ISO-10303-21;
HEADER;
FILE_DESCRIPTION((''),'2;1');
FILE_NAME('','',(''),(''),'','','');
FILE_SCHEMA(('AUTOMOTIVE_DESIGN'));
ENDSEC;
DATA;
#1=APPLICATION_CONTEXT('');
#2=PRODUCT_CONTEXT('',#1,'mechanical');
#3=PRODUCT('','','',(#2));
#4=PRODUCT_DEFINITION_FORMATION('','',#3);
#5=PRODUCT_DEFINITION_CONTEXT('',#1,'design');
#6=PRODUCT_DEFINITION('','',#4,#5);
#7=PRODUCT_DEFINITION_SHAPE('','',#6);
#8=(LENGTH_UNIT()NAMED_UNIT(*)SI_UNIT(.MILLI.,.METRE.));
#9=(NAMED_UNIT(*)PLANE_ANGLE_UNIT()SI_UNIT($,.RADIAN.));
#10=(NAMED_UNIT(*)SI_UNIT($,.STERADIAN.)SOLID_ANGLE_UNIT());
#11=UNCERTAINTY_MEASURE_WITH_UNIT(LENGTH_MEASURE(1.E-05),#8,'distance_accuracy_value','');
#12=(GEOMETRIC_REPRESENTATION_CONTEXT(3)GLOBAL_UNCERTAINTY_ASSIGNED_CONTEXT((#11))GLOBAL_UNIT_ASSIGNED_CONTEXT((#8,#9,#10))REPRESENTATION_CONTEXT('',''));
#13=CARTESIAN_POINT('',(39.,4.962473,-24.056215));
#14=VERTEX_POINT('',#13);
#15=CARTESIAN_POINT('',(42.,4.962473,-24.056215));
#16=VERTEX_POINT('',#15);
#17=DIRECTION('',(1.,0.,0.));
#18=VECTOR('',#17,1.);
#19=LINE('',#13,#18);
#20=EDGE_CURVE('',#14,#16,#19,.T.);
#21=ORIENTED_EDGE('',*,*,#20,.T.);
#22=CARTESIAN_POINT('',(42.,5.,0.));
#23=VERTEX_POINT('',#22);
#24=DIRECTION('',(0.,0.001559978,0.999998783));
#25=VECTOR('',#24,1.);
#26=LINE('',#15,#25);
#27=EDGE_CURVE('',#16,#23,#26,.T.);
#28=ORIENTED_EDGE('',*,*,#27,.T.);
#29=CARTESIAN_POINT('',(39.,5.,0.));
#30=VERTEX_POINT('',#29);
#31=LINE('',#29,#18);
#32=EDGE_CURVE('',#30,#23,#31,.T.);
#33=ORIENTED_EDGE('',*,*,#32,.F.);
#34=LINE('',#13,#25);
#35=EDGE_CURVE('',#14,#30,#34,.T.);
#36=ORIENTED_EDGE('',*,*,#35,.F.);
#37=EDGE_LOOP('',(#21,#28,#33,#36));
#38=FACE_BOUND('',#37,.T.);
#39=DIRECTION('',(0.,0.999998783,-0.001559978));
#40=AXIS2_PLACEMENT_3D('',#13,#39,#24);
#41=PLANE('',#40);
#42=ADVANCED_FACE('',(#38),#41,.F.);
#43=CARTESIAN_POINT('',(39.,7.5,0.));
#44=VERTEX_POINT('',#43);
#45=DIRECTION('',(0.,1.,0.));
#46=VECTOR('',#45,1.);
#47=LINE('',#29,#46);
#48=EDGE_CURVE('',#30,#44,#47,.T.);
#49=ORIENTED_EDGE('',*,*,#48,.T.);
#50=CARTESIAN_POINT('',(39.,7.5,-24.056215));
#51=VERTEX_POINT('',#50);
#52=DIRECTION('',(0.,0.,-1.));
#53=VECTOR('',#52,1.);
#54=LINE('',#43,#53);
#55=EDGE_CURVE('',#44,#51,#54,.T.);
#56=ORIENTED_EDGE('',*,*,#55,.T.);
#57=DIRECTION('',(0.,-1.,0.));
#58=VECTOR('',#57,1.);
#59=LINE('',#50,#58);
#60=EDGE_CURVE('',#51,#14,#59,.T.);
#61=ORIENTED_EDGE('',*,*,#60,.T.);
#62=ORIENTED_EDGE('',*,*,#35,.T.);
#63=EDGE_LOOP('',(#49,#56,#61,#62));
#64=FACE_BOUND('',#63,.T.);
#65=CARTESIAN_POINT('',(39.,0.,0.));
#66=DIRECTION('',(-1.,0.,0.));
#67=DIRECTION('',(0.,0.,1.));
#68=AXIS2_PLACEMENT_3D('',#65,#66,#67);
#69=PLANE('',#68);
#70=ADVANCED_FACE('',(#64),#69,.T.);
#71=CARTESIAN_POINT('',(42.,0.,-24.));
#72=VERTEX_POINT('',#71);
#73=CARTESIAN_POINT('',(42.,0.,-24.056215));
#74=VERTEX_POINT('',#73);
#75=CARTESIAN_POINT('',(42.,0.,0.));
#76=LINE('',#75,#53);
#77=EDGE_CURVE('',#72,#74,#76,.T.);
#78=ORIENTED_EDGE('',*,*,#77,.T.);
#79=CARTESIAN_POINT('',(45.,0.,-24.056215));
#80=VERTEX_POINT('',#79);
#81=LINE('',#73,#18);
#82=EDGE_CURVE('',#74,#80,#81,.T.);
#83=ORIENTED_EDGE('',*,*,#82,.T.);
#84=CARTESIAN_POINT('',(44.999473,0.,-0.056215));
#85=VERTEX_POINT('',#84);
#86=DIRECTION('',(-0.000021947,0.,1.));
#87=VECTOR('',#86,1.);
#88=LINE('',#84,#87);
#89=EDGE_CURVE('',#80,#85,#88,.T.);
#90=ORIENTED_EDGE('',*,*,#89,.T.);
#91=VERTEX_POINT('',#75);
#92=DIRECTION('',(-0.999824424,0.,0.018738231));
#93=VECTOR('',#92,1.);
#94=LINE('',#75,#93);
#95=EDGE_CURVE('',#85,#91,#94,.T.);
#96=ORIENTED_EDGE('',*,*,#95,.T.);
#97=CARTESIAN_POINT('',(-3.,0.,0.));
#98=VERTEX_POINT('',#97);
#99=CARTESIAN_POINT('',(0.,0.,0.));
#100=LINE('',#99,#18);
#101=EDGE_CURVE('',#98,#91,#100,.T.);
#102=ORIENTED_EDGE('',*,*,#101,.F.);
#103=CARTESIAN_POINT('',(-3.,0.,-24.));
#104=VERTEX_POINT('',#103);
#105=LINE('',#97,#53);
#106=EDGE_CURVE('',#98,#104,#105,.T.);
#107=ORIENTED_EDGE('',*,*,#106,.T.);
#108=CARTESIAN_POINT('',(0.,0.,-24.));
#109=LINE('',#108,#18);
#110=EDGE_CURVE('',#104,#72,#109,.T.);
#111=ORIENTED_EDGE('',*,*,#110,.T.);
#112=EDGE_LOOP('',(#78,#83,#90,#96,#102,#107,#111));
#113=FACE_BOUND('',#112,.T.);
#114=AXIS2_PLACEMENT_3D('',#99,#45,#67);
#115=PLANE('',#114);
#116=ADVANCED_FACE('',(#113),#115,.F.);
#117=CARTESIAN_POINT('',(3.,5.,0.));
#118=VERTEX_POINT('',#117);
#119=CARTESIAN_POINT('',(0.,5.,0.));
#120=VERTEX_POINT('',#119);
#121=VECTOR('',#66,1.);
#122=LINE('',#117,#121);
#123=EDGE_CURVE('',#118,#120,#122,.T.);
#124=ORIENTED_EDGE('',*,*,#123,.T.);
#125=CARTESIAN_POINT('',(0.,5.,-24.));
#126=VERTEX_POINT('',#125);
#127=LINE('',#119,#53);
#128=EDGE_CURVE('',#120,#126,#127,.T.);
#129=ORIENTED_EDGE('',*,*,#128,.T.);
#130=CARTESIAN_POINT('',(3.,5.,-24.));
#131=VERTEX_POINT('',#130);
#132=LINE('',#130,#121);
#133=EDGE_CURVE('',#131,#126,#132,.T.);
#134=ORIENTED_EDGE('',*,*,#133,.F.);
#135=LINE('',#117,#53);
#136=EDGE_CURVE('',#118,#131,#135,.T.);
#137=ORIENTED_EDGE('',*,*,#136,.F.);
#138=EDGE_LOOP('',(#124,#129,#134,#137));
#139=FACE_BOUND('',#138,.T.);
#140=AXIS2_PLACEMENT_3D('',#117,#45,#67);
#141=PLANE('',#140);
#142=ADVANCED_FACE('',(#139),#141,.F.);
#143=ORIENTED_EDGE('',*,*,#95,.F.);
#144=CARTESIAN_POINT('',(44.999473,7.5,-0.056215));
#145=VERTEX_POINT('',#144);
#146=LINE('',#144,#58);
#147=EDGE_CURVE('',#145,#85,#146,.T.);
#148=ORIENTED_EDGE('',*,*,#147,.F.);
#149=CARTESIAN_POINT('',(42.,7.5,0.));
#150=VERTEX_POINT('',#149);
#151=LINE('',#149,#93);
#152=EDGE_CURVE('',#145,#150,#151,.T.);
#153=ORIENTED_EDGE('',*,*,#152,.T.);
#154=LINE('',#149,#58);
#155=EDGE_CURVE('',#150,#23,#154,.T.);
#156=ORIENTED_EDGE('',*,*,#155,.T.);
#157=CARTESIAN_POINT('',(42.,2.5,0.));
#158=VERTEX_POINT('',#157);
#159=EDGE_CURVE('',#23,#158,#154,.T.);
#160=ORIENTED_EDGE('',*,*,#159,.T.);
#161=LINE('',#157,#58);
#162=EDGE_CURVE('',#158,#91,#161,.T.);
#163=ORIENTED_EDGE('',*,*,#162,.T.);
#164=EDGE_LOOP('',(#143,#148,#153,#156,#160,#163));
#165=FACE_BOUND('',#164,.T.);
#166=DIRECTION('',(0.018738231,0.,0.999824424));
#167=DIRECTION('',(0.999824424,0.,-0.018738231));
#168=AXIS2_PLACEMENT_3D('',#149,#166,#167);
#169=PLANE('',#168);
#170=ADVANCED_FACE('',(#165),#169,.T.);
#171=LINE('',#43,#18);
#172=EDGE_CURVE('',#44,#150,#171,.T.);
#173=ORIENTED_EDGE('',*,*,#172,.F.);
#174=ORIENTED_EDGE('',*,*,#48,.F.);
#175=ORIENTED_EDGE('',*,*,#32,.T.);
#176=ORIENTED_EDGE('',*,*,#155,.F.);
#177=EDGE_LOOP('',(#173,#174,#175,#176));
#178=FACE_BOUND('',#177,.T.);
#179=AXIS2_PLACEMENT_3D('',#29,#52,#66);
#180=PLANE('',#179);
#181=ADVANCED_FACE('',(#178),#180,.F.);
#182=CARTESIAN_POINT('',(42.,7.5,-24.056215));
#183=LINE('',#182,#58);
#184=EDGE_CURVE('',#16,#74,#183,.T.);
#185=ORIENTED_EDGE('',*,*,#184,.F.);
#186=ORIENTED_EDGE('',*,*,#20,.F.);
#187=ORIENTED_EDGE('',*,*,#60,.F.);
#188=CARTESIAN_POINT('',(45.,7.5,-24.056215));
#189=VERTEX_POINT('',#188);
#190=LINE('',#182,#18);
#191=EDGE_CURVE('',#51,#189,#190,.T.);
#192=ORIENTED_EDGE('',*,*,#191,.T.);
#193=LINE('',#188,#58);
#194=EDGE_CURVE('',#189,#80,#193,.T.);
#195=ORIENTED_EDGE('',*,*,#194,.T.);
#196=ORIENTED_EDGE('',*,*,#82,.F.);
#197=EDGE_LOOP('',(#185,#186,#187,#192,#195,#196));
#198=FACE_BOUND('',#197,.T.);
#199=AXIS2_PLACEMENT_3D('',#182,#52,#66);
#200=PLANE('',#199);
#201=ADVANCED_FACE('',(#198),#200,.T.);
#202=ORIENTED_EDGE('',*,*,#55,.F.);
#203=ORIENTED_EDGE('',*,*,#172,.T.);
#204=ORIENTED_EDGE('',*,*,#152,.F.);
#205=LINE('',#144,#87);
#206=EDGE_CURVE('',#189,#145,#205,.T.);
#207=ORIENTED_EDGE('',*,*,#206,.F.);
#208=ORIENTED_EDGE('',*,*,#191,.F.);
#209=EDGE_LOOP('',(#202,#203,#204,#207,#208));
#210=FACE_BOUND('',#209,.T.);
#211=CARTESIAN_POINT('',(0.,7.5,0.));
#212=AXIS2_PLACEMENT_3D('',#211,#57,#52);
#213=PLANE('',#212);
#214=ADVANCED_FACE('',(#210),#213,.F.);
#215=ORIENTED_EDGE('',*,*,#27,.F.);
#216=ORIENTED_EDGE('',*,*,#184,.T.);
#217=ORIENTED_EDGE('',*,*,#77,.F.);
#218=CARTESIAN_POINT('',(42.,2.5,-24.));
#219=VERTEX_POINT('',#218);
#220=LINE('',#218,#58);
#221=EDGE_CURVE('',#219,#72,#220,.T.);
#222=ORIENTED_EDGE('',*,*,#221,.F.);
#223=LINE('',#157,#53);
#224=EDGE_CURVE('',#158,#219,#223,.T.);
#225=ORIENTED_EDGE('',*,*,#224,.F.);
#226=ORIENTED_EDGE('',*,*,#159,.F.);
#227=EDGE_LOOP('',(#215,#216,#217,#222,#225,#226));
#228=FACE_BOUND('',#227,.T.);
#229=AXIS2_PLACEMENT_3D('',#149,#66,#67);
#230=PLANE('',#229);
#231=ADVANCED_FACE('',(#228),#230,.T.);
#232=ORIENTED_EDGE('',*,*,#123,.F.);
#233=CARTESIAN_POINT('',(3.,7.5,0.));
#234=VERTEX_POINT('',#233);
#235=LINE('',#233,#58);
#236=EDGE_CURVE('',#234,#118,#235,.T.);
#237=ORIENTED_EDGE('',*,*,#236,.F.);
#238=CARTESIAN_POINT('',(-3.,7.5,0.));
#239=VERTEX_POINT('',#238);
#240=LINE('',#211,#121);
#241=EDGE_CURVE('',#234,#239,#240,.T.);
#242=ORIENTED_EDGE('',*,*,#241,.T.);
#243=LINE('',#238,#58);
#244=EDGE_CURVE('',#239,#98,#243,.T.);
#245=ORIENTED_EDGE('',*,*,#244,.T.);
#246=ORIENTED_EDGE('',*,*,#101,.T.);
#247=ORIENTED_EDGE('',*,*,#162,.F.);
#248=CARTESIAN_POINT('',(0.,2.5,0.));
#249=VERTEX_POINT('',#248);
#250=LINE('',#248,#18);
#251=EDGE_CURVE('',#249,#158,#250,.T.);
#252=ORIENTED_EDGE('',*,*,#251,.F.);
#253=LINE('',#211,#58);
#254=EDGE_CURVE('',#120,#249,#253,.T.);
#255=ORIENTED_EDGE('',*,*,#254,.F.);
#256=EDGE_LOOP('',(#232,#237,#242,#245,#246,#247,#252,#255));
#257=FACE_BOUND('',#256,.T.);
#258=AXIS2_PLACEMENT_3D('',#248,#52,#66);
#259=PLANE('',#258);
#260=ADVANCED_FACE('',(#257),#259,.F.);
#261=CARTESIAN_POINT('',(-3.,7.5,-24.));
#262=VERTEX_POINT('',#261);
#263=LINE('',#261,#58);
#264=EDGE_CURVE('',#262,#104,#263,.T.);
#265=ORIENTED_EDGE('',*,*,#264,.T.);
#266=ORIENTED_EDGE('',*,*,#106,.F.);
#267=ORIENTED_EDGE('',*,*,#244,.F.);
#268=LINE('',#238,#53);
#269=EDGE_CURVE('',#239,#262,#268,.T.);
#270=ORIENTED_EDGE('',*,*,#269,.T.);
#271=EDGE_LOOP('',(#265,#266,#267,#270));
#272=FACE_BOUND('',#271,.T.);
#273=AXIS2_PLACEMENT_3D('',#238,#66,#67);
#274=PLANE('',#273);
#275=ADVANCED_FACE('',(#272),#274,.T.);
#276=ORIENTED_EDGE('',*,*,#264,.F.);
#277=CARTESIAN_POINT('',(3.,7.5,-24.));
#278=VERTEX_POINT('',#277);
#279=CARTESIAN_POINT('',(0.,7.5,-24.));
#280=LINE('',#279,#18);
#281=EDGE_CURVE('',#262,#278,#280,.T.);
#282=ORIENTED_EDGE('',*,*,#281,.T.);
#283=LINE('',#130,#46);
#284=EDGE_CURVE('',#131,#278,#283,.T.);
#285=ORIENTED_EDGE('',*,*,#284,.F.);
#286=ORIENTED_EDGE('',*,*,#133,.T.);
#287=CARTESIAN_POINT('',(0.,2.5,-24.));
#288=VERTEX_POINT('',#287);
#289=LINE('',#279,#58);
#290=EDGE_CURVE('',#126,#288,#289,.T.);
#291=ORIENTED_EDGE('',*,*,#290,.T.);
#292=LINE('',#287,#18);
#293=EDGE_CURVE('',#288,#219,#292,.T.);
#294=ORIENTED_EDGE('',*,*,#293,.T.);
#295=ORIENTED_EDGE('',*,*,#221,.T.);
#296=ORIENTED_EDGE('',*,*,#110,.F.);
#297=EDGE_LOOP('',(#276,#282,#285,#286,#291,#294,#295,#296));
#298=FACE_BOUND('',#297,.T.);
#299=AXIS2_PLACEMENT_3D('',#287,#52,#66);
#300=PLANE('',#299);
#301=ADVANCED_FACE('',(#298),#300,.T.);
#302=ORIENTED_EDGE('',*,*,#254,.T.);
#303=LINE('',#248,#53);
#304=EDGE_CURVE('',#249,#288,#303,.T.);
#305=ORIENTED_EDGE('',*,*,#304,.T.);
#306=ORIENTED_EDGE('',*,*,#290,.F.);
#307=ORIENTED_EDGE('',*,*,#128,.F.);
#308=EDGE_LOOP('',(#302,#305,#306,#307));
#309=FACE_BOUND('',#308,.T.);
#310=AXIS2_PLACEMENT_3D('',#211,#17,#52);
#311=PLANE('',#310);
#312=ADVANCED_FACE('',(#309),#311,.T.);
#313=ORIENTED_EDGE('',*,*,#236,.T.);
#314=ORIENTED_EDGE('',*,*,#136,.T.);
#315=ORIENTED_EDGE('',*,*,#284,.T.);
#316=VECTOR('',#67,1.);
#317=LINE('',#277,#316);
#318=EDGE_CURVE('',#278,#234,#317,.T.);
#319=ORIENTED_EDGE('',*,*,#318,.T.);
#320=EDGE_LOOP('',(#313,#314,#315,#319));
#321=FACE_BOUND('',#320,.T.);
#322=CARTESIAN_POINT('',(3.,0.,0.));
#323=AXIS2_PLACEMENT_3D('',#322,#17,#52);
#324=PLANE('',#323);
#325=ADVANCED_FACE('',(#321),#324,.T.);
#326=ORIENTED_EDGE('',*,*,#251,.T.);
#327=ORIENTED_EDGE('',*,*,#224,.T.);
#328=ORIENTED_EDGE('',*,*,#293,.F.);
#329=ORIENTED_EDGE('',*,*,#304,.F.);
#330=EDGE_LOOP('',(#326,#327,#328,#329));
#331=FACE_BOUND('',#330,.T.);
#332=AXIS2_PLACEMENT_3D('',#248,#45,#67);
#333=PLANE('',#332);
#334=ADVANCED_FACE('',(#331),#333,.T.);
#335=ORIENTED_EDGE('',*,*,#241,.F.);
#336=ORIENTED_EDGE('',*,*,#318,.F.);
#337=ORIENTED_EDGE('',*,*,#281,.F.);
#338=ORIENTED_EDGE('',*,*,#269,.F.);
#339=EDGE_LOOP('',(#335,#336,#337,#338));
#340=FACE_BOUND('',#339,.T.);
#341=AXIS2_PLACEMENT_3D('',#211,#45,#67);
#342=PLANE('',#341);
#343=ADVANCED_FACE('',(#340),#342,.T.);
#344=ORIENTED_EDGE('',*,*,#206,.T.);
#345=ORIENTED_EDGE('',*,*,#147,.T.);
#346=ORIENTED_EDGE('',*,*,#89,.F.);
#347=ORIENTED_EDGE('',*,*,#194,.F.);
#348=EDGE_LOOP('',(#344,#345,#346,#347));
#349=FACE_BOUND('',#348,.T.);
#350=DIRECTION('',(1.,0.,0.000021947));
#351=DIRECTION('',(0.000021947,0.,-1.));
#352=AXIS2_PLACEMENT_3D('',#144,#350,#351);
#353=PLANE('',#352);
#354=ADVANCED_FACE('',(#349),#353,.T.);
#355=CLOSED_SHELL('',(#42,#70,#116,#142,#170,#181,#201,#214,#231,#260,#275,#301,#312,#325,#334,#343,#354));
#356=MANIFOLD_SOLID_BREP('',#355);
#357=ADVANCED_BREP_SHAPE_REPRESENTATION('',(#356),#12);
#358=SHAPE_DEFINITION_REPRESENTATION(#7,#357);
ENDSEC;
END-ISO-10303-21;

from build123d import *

# Parameters (mm, degrees)
ESQUISSE1_W        = 42
ESQUISSE1_H        = 24
BOSS_EXTRU_2_DEPTH = 2.5
ESQUISSE3_W        = 3
ESQUISSE3_H        = 24
BOSS_EXTRU_5_DEPTH = 7.5
BOSS_EXTRU_6_DEPTH = 3
ESQUISSE7_W        = 24
ESQUISSE7_H        = 2.5
BOSS_EXTRU_7_DEPTH = 3


with BuildPart() as part:
    # Esquisse1 → Boss.-Extru.2 (new body)
    with BuildSketch(Plane(origin=(0, 0, 0), x_dir=(1, 0, 0), z_dir=(0, 1, 0))):
        with Locations((21, 12)):
            Rectangle(ESQUISSE1_W, ESQUISSE1_H)
    extrude(amount=BOSS_EXTRU_2_DEPTH)

    # Esquisse3 → Boss.-Extru.5 (add)
    with BuildSketch(Plane.XZ):
        Polygon((42, 0), (44.999473272, -0.056214692), (45, -24.056214686), (42, -24.056214686), align=None)
        with Locations((-1.5, -12)):
            Rectangle(ESQUISSE3_W, ESQUISSE3_H)
    extrude(amount=-BOSS_EXTRU_5_DEPTH)

    # Esquisse6 → Boss.-Extru.6 (add)
    with BuildSketch(Plane.ZY.offset(-42)):
        Polygon((-24.056214686, 4.962472786), (0, 5), (0, 7.5), (-24.056214686, 7.5), align=None)
    extrude(amount=BOSS_EXTRU_6_DEPTH)

    # Esquisse7 → Boss.-Extru.7 (add)
    with BuildSketch(Plane(origin=(0, 0, 0), x_dir=(0, 0, -1), z_dir=(1, 0, 0))):
        with Locations((12, 6.25)):
            Rectangle(ESQUISSE7_W, ESQUISSE7_H)
    extrude(amount=BOSS_EXTRU_7_DEPTH)


solid = part.part
